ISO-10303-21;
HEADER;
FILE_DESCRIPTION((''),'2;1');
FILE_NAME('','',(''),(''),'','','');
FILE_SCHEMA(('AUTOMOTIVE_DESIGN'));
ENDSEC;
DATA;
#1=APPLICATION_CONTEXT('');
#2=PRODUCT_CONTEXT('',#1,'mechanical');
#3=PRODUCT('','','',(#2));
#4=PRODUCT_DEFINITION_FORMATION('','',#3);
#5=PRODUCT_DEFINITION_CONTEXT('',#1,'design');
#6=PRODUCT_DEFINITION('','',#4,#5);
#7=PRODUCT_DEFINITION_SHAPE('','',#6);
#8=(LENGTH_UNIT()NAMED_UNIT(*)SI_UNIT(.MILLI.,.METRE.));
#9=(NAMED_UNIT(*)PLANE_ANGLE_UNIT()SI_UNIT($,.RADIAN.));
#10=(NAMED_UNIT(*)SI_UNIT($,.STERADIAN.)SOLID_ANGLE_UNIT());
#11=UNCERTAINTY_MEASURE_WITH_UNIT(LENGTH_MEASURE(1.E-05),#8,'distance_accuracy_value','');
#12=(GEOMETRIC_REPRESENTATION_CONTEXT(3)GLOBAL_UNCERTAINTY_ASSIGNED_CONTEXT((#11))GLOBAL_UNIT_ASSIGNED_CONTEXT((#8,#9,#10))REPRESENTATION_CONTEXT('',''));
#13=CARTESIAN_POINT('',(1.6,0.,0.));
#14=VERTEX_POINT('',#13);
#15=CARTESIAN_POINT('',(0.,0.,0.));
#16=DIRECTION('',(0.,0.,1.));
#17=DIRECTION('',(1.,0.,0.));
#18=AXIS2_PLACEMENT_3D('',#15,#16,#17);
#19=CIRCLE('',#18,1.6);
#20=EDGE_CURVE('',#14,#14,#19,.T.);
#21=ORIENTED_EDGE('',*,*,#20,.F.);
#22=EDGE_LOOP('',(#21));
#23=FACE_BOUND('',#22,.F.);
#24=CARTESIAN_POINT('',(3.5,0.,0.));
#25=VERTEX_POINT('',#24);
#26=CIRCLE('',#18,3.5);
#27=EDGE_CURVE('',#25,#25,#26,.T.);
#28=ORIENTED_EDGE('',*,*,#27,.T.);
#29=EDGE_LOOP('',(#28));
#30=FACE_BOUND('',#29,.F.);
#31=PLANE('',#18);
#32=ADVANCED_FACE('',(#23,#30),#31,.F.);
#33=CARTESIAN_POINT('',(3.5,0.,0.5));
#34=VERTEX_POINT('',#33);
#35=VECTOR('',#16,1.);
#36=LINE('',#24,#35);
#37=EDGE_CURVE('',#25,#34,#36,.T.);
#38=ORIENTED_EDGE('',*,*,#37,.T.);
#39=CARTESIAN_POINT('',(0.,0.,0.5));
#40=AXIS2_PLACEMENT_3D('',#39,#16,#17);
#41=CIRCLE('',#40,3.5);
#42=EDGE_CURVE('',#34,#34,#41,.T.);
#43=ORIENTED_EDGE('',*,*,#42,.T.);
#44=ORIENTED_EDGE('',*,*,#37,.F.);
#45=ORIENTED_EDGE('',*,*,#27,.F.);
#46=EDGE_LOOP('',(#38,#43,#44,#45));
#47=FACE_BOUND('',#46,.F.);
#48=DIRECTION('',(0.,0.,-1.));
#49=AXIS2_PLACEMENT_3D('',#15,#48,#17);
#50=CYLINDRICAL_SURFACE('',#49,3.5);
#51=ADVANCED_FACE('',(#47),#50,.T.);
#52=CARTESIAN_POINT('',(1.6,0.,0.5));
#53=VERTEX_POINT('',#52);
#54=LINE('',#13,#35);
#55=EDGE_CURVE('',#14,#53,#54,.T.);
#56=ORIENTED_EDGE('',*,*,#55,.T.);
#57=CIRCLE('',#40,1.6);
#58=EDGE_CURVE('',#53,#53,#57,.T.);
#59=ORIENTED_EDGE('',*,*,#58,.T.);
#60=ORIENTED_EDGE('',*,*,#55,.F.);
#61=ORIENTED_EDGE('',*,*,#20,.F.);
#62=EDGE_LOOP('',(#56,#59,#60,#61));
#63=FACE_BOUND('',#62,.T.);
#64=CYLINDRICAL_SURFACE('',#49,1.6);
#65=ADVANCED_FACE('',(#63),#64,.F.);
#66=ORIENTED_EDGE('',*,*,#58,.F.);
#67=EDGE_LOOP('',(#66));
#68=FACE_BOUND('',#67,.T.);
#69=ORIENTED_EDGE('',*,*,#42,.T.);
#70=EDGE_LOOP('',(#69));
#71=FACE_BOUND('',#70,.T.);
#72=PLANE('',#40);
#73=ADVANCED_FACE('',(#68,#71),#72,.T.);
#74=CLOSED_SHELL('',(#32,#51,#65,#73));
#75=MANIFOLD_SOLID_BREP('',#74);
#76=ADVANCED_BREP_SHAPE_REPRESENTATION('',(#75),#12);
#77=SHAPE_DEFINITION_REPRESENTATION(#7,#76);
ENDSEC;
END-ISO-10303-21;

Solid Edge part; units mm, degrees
sketch "Sketch1" plane through (0, 0, 0) normal (0, 0, 1) x (1, 0, 0)
  circle A0 centre (0, 0) radius 3.5
  circle A1 centre (0, 0) radius 1.6
  dimension "D1" = 3.2
  dimension "D2" = 7
extrude "Protrusion1" add sketch "Sketch1" along normal blind 0.5
